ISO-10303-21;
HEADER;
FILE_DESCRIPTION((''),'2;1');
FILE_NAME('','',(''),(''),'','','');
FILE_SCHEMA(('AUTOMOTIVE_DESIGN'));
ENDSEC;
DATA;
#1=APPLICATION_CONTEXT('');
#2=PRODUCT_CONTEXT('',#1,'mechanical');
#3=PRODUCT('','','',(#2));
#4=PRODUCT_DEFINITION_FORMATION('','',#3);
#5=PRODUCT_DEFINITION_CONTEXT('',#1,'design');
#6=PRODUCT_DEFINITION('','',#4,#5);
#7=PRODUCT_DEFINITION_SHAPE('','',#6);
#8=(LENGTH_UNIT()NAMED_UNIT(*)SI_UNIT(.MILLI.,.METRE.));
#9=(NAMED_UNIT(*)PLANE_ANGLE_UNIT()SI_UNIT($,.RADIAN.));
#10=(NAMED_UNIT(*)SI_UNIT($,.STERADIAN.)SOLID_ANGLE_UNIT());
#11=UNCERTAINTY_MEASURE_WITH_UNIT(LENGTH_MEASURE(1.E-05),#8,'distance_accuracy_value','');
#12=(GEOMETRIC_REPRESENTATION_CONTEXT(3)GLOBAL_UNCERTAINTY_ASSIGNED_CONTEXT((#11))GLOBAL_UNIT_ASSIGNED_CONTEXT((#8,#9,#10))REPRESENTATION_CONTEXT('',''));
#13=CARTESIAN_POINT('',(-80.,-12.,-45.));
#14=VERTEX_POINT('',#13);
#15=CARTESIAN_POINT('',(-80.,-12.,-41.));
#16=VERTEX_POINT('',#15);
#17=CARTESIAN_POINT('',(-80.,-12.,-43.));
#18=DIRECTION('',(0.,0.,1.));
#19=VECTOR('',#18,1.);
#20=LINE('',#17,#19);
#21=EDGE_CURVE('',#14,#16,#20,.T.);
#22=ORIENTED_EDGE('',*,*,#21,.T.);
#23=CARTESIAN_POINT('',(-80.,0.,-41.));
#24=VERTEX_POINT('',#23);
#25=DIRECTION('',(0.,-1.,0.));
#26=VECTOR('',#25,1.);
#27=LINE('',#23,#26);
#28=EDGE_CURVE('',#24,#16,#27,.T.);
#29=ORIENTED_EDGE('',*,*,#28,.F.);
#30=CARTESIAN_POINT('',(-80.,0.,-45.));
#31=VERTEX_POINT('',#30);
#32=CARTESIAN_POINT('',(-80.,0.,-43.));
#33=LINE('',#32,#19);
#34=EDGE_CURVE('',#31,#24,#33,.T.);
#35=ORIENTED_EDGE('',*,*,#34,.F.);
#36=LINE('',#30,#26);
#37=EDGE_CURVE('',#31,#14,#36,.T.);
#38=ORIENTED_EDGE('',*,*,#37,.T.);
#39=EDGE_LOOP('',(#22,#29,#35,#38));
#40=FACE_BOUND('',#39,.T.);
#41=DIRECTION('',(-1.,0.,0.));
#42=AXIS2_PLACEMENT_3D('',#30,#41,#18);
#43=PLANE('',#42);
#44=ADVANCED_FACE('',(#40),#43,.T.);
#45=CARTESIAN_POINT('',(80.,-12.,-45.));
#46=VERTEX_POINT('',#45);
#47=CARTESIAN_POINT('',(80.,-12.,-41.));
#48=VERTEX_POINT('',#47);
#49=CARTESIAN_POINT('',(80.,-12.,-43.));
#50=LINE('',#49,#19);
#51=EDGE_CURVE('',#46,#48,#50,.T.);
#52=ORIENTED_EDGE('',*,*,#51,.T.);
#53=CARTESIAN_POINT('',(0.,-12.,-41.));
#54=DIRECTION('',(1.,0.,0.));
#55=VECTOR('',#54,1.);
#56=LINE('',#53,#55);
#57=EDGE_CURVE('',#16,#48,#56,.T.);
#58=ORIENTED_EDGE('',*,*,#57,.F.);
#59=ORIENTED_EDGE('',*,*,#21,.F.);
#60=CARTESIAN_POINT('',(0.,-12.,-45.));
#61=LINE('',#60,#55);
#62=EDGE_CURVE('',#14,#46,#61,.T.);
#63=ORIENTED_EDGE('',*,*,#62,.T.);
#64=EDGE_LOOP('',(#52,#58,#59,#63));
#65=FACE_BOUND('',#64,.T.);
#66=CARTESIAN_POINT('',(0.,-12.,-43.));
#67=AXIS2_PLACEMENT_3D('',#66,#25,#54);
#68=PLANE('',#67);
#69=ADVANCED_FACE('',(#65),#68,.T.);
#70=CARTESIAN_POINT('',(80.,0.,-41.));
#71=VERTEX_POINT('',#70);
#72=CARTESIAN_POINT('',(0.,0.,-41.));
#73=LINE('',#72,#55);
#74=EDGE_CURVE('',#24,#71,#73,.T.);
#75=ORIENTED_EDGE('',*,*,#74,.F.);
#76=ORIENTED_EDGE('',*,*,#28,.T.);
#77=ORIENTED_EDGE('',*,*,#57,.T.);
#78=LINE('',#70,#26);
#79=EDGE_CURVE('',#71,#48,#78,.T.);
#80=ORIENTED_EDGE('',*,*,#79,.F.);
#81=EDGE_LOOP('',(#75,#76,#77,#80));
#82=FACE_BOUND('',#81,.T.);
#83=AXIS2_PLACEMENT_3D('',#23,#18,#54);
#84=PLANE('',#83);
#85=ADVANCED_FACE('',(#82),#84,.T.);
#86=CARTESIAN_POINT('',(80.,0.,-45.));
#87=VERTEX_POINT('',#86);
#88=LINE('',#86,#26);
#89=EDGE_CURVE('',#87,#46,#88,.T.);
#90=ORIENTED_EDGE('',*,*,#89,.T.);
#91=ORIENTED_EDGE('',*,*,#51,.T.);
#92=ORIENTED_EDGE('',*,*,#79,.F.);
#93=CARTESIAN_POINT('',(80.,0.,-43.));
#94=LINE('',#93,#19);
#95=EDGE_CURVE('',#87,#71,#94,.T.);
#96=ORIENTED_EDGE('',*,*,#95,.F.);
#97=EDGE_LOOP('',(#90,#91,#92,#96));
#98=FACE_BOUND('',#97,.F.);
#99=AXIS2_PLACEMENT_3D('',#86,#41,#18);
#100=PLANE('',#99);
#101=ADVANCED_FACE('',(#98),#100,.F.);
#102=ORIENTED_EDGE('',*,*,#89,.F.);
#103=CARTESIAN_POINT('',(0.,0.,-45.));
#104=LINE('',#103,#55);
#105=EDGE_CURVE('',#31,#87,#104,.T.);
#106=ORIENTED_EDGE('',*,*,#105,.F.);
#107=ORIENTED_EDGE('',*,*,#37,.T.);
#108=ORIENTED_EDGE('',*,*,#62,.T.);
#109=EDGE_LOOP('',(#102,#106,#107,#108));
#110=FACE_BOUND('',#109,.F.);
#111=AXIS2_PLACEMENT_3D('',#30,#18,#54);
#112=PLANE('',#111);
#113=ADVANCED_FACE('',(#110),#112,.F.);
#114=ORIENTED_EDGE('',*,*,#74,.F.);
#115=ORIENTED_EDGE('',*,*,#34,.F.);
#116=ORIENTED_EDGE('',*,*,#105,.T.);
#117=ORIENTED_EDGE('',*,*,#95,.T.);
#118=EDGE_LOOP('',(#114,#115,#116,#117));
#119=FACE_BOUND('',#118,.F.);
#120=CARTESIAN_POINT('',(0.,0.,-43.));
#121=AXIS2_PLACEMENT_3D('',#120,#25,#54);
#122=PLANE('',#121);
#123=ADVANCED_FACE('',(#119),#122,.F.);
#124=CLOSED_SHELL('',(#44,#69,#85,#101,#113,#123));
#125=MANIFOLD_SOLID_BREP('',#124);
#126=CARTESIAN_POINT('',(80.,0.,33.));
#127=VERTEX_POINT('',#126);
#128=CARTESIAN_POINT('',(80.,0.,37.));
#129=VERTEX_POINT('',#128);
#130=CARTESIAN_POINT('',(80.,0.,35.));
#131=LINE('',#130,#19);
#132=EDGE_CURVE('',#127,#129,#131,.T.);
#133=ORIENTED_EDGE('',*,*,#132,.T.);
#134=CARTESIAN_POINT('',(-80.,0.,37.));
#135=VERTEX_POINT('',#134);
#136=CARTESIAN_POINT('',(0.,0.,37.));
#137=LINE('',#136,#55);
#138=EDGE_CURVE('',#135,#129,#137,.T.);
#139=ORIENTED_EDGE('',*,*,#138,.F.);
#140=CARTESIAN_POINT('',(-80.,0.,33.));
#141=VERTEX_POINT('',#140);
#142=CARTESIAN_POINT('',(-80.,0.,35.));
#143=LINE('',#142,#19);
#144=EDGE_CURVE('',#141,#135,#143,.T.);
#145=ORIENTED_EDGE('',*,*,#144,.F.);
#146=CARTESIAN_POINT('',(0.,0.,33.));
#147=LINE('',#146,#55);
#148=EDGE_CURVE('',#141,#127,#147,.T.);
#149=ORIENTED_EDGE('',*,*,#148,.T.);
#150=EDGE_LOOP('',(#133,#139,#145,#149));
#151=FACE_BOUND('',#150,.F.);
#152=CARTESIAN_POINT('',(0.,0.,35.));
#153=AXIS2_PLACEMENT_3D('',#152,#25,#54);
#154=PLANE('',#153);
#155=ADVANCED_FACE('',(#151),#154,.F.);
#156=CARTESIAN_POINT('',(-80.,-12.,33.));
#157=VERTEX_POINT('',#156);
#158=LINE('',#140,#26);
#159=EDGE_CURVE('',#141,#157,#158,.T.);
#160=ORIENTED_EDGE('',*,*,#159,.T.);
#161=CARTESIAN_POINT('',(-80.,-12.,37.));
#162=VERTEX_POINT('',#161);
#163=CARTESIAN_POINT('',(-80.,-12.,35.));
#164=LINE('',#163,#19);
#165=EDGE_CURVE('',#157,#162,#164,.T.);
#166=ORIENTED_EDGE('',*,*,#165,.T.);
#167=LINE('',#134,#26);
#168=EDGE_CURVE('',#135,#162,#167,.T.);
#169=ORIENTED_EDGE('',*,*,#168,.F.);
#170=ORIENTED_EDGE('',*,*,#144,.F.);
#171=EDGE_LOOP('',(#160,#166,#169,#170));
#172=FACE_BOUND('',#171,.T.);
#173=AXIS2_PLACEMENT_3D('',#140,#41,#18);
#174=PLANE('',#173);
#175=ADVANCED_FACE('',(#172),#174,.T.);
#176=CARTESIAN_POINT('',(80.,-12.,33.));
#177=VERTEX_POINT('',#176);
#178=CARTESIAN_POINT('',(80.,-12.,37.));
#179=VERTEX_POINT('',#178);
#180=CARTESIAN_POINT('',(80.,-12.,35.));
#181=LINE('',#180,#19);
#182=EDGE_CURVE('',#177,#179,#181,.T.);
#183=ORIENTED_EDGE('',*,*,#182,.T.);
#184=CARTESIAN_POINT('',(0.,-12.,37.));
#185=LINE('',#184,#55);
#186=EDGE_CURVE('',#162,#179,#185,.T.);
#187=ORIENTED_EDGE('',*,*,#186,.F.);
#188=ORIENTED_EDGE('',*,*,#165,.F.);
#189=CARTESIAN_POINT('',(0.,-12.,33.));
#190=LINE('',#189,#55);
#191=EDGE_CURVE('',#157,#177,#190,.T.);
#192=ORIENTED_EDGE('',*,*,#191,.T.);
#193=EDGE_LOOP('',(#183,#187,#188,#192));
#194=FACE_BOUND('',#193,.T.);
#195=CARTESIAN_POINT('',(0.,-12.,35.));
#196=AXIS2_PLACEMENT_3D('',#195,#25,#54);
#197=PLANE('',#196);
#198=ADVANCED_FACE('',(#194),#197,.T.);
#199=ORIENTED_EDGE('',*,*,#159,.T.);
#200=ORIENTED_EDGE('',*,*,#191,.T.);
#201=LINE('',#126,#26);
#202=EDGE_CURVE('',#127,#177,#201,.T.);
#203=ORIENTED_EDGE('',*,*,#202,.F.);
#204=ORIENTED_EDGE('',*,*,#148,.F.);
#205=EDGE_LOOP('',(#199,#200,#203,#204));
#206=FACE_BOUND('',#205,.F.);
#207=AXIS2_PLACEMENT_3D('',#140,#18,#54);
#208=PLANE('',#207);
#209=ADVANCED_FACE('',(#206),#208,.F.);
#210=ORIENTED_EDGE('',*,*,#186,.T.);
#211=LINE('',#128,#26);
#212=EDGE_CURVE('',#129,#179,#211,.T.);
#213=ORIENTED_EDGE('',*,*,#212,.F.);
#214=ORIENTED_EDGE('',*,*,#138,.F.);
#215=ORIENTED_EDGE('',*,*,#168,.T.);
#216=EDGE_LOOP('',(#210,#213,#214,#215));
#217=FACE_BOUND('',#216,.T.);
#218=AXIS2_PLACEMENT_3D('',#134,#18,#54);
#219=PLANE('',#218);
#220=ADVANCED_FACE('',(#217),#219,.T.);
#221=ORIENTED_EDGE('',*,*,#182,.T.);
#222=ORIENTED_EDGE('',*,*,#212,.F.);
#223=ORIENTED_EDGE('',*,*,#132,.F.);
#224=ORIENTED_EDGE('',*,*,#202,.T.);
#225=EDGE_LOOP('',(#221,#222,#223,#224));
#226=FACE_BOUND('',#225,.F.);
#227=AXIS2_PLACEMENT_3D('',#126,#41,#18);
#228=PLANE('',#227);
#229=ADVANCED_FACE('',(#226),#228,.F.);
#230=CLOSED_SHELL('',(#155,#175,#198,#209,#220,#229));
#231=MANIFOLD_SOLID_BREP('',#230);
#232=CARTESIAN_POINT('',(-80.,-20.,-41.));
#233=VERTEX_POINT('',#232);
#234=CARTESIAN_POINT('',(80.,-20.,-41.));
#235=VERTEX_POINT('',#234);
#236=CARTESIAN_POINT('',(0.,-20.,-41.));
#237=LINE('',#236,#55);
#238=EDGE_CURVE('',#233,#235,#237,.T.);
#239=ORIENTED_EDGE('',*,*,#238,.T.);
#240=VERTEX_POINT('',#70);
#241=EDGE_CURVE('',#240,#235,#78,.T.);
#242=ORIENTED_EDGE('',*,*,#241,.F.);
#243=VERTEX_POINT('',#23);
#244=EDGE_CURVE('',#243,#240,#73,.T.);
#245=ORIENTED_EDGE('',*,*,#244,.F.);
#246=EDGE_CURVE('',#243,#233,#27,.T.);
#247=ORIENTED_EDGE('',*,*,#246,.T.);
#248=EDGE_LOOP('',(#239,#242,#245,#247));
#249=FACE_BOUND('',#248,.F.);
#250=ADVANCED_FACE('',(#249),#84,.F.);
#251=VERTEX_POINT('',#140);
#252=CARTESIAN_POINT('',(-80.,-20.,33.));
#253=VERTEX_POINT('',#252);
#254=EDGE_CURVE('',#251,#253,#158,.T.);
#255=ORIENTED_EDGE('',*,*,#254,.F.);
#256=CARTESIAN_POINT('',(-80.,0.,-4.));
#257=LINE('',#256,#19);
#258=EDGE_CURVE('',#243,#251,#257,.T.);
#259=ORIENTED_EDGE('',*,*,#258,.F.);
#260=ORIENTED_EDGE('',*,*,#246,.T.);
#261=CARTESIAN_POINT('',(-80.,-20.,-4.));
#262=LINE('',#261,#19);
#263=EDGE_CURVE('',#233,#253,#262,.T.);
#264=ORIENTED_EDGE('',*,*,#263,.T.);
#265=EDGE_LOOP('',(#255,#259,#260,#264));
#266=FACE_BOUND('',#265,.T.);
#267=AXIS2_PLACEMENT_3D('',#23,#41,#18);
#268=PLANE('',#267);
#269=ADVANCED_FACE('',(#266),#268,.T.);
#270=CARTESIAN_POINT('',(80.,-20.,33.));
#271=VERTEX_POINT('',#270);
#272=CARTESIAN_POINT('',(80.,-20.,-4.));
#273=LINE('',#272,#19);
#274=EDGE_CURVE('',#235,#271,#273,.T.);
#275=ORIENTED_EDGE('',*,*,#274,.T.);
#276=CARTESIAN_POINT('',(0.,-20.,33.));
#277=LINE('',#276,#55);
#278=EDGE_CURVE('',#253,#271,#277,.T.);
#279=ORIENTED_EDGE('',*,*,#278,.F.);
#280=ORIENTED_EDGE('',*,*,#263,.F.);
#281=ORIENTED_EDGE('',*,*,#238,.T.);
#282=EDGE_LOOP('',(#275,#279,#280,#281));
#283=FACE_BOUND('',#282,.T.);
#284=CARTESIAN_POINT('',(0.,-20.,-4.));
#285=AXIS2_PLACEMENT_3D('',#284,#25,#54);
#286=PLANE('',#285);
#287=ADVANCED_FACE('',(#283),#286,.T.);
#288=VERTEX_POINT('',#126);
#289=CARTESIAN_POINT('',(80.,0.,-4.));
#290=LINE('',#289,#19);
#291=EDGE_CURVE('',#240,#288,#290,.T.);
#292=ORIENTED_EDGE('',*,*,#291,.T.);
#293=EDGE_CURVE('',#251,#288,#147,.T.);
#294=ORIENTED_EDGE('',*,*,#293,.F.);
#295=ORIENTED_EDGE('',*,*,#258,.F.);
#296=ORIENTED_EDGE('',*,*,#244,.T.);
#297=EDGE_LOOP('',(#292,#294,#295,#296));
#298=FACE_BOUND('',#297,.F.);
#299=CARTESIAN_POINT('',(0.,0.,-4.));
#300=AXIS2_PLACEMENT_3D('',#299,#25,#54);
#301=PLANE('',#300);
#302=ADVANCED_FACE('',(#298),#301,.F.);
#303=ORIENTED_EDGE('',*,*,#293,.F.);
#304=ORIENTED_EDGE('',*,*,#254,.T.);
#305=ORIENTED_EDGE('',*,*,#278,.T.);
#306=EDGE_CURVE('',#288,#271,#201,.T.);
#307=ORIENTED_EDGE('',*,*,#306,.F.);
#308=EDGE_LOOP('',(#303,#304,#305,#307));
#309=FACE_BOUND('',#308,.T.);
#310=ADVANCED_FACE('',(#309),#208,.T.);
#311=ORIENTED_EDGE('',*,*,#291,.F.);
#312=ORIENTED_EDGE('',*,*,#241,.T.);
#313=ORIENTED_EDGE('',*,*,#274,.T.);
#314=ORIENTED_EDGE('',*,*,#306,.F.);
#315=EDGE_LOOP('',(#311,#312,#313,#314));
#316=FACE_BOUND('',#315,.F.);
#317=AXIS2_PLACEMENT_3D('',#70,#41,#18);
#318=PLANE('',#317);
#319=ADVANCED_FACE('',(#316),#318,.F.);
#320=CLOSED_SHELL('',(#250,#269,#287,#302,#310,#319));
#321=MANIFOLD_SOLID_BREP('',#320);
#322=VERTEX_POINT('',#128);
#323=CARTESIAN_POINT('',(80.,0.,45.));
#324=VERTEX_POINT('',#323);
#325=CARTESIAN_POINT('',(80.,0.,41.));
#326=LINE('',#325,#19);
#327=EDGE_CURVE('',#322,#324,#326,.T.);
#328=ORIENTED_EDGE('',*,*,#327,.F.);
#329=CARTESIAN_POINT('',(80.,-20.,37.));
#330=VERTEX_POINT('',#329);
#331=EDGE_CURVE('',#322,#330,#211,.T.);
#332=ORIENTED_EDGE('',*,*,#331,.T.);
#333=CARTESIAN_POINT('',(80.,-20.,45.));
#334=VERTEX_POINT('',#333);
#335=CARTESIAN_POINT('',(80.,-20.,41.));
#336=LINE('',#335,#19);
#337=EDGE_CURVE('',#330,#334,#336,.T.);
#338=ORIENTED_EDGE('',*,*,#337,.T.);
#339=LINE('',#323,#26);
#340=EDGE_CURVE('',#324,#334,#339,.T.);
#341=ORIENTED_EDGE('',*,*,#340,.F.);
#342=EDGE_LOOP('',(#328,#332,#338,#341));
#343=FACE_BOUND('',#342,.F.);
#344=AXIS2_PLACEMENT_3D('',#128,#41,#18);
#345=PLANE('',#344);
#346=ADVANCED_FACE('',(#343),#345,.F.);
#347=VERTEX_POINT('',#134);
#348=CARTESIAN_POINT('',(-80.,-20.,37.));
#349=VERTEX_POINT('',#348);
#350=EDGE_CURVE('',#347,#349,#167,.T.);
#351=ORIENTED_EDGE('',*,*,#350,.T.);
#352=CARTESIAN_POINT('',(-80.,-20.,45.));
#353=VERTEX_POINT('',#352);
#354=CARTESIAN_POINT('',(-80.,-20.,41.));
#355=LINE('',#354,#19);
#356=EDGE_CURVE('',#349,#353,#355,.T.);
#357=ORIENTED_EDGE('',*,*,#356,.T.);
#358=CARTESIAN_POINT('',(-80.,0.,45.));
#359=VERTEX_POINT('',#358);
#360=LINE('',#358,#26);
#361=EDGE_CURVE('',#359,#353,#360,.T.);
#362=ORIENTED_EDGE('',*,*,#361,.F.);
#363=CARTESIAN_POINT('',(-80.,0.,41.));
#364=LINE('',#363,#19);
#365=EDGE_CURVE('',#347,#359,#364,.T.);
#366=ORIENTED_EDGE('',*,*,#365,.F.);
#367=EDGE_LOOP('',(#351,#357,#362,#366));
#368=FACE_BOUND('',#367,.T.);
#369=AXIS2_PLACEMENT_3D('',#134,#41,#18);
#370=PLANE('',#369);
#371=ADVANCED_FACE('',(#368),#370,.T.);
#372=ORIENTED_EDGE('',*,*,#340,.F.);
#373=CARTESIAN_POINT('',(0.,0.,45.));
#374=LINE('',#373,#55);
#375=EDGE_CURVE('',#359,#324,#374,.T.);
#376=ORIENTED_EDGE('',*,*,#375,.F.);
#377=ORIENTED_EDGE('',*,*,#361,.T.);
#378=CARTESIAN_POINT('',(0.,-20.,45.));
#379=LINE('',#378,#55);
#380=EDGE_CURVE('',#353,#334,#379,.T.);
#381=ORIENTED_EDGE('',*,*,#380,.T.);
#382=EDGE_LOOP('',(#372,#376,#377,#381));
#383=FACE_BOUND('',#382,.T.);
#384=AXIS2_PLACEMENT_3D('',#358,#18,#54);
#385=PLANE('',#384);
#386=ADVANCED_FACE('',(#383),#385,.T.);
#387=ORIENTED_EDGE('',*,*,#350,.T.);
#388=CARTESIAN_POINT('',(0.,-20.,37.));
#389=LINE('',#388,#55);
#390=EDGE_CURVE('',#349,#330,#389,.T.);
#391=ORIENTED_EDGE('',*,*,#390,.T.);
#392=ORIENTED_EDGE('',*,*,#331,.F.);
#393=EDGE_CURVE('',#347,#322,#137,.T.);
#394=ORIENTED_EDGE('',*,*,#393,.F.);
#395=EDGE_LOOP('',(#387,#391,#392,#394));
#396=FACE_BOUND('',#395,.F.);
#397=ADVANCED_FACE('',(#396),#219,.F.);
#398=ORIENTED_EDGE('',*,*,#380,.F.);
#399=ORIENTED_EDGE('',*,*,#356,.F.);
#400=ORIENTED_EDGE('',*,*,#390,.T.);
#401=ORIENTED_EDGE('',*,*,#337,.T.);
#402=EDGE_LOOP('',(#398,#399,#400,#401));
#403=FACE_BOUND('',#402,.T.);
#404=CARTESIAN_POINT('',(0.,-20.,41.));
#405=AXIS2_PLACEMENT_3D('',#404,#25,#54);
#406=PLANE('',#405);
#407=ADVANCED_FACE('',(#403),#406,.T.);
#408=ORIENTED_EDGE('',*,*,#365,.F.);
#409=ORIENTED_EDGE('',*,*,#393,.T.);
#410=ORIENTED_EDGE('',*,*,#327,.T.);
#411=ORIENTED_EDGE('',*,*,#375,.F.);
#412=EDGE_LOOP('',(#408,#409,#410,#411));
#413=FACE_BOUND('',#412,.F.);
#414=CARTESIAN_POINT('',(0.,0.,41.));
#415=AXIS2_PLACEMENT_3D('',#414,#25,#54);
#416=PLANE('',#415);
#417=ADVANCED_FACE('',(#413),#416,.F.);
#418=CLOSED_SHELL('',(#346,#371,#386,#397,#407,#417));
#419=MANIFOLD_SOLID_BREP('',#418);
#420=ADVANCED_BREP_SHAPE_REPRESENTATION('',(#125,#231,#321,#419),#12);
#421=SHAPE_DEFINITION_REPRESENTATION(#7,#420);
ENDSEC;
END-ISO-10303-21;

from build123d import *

# Parameters (mm, degrees)
F0_W     = 160
F0_H     = 4
F1_DEPTH = 12
F0_H_2   = 74
F0_H_3   = 8
F2_DEPTH = 20


with BuildPart() as f1:
    # F0 (on Front) → F1 (new body)
    with BuildSketch(Plane.XZ):
        with Locations((0, 35)):
            Rectangle(F0_W, F0_H)
        with Locations((0, -43)):
            Rectangle(F0_W, F0_H)
    extrude(amount=F1_DEPTH)


with BuildPart() as f2:
    # F0 (on Front) → F2 (new body)
    with BuildSketch(Plane.XZ):
        with Locations((0, -4)):
            Rectangle(F0_W, F0_H_2)
        with Locations((0, 41)):
            Rectangle(F0_W, F0_H_3)
    extrude(amount=F2_DEPTH)


solid = Compound([f1.part, f2.part])
